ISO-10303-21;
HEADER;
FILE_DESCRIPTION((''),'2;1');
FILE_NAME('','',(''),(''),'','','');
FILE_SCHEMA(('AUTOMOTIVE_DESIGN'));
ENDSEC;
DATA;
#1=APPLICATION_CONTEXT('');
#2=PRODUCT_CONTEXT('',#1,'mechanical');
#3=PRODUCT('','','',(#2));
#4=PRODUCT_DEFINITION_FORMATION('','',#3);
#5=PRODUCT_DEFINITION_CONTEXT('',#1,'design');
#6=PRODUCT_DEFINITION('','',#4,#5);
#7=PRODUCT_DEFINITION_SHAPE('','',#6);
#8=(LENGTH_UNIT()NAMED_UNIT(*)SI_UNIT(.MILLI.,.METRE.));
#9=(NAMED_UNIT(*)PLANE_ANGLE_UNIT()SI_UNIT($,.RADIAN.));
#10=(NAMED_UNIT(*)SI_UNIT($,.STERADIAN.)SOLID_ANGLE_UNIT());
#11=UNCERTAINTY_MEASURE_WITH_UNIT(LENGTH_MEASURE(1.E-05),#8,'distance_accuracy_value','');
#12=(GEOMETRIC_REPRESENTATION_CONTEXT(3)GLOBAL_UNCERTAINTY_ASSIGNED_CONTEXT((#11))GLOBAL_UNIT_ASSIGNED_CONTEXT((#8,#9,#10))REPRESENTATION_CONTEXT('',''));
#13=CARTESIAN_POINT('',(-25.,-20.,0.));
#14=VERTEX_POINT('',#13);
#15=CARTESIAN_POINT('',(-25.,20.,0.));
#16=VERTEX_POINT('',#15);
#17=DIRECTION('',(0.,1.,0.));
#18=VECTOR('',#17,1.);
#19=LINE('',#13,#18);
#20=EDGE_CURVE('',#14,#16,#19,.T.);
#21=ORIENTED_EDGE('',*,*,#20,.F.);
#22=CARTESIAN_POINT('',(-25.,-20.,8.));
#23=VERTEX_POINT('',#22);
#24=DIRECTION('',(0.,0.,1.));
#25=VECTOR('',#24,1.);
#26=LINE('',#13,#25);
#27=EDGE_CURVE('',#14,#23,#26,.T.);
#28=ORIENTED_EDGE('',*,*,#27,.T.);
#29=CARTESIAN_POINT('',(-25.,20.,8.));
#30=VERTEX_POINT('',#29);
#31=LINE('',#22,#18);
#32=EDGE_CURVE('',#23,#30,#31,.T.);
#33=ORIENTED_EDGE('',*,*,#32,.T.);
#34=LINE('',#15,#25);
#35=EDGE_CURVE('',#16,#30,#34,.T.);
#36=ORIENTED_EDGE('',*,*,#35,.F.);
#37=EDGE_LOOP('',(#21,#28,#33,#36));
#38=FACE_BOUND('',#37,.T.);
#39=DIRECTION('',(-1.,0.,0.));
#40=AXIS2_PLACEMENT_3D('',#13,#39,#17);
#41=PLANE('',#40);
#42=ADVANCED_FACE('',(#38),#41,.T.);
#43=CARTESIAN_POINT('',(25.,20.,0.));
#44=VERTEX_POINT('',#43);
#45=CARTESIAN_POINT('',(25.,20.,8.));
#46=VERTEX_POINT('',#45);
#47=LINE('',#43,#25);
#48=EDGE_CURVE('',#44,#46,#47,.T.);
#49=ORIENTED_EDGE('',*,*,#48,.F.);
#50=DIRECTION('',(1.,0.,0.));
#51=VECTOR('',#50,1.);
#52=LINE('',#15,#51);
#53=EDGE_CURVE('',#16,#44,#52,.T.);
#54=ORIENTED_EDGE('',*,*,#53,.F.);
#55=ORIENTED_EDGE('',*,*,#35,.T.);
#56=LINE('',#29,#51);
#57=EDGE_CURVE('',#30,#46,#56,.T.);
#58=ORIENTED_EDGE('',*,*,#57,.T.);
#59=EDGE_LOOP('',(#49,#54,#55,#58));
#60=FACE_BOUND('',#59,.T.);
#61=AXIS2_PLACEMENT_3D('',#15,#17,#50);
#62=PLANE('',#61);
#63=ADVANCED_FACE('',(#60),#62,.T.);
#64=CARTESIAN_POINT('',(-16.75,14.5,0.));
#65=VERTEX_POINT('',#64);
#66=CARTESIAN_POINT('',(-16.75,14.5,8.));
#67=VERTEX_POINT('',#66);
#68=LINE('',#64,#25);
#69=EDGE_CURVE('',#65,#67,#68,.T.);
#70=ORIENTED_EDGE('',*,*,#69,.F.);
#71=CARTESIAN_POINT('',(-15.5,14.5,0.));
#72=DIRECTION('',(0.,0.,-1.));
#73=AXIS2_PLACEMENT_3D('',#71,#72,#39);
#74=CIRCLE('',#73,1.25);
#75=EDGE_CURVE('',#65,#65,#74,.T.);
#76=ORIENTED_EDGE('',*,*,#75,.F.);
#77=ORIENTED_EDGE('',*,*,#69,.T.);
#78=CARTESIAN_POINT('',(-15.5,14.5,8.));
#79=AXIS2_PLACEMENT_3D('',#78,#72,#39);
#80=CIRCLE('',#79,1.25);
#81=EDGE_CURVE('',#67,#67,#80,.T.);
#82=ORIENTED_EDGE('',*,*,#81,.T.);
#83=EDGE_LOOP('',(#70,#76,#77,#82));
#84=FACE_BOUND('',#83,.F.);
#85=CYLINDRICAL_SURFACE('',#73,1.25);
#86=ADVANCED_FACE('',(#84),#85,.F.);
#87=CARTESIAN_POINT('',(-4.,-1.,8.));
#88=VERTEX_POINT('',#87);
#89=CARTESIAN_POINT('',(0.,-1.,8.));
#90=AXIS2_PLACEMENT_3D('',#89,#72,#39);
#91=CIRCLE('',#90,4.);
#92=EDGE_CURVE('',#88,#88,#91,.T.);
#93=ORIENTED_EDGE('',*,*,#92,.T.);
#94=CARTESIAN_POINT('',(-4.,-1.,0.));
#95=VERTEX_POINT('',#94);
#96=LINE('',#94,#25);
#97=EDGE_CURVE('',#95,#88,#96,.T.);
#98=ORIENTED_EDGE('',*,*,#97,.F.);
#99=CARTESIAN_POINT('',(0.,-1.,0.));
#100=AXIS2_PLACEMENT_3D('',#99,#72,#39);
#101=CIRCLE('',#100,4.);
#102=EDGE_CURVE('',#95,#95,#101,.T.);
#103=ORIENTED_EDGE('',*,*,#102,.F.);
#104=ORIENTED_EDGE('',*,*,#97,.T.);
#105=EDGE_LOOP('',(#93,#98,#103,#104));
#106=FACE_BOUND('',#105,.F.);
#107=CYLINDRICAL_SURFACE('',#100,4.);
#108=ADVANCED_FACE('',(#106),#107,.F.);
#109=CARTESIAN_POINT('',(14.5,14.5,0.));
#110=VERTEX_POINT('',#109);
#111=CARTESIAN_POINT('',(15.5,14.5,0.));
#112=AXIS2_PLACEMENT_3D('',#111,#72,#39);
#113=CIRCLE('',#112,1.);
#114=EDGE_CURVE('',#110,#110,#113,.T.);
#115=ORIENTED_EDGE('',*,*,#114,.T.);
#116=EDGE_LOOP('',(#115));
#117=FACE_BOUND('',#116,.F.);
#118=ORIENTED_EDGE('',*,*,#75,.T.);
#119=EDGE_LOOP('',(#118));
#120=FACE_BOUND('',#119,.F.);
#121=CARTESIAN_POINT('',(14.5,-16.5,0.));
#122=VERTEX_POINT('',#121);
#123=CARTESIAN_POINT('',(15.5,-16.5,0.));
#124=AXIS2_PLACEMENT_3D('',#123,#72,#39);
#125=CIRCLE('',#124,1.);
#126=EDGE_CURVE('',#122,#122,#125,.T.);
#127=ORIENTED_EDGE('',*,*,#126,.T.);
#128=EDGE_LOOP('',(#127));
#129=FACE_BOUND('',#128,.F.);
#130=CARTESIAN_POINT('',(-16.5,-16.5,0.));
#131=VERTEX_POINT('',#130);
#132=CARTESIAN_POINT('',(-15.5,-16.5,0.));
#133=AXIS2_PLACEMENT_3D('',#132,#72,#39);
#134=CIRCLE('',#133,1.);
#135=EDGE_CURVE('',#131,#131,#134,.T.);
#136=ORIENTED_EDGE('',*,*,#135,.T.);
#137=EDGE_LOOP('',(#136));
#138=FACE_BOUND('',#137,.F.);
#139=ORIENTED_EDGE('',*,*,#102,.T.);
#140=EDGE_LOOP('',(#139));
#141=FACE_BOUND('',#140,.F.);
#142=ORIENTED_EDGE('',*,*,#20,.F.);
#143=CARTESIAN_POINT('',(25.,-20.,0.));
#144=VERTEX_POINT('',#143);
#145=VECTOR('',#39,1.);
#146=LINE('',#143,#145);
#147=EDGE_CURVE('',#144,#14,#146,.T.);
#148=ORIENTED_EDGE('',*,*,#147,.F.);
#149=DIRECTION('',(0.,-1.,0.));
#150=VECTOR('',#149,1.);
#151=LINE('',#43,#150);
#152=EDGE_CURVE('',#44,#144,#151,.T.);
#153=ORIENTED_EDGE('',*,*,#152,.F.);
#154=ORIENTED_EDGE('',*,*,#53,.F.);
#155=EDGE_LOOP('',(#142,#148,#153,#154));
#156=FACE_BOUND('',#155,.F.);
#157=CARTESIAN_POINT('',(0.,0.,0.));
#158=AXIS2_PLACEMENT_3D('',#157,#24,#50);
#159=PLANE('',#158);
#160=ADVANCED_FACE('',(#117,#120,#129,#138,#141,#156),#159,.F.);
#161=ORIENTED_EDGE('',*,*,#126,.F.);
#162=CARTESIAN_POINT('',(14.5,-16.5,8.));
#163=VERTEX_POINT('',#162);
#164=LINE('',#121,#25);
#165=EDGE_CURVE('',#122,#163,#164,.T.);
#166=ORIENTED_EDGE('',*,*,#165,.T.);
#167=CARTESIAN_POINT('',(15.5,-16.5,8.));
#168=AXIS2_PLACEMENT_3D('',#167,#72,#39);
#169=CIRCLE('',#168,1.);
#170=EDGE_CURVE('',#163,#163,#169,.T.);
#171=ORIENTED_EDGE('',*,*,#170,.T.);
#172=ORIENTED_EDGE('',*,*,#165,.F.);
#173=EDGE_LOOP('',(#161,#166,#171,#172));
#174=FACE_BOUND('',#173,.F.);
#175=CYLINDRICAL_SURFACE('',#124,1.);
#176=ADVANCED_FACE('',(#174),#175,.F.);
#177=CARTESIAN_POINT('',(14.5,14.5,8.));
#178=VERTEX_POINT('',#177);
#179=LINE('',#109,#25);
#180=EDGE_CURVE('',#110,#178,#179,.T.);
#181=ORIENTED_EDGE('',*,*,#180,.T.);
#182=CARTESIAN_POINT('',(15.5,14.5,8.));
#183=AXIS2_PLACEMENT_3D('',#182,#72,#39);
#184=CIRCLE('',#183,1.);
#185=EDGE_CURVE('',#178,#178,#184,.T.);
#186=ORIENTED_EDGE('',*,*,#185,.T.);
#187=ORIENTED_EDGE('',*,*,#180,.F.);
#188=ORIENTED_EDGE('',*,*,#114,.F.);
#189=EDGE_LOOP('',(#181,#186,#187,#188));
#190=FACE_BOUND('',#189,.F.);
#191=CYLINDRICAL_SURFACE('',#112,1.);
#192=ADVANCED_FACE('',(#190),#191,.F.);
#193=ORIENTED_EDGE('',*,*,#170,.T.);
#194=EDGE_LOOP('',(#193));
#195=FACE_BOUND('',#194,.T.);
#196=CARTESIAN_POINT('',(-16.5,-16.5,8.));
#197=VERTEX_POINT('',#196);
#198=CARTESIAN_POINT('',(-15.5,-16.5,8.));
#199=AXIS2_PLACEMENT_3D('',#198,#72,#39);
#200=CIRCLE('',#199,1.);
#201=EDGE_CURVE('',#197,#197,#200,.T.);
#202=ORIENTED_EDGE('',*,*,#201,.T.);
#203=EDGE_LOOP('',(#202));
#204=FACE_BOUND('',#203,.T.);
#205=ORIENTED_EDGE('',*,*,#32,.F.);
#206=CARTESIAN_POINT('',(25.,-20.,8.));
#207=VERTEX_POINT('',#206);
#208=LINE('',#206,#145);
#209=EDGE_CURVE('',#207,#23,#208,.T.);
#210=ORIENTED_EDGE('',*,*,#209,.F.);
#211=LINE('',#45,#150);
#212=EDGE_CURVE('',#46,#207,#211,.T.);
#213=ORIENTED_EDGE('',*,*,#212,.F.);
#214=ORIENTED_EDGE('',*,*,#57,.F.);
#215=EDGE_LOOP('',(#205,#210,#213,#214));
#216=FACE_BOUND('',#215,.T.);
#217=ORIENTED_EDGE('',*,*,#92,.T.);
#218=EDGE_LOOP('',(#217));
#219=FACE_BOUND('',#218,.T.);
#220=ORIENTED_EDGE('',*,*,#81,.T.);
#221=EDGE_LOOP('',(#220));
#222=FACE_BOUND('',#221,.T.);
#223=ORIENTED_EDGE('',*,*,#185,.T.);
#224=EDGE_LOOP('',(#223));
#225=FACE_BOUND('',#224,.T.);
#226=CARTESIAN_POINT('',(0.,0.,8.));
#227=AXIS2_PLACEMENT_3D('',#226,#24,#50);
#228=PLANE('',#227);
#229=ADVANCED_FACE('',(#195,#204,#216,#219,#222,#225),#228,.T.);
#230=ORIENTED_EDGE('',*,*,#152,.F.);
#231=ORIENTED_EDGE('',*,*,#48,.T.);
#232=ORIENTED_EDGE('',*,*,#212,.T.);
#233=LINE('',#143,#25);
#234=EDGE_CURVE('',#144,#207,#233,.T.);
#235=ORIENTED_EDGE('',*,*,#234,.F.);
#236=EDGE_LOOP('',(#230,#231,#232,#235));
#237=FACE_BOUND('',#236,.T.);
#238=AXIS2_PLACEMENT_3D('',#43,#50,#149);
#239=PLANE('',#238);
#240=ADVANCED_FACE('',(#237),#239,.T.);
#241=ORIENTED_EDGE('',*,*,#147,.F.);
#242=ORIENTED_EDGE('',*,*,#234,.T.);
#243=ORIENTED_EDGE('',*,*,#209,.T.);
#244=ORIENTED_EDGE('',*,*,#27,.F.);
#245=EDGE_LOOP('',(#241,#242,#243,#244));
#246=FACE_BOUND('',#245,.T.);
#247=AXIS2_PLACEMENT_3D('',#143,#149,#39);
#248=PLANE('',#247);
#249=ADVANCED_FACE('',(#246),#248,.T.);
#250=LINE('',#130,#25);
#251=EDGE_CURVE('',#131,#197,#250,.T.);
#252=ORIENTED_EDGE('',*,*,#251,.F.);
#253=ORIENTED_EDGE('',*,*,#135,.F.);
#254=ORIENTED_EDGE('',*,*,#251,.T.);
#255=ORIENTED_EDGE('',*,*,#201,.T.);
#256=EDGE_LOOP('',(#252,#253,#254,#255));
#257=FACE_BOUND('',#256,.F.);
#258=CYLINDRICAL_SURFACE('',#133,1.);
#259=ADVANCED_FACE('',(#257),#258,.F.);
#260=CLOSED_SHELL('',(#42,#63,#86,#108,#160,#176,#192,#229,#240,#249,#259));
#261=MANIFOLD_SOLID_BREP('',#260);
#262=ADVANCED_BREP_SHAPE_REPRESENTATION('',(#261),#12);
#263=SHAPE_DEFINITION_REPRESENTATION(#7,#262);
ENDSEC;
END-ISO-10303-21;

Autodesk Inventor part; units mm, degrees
ref_plane "YZ Plane" through (0, 0, 0) normal (1, 0, 0) x (0, 1, 0)
ref_plane "XZ Plane" through (0, 0, 0) normal (0, 1, 0) x (-1, 0, 0)
ref_plane "XY Plane" through (0, 0, 0) normal (0, 0, 1) x (1, 0, 0)
sketch "Sketch1" plane through (0, 0, 0) normal (0, 0, 1) x (1, 0, 0)
  line L0 (-25, 20) -> (25, 20)
  line L1 (25, 20) -> (25, -20)
  line L2 (25, -20) -> (-25, -20)
  line L3 (-25, -20) -> (-25, 20)
  point P0 (0, 0)
  point P1 (0, 20)
  point P2 (-25, 0)
  dimension "d0" = 50
  dimension "d1" = 40
extrude "Extrusion1" add sketch "Sketch1" along normal blind 8
sketch "Sketch5" plane through (0, 0, 0) normal (0, 0, -1) x (-1, 0, 0)
  circle A0 centre (-15.5, -16.5) radius 1 projected
  circle A1 centre (15.5, -16.5) radius 1 projected
  circle A2 centre (-15.5, 14.5) radius 1 projected
  circle A3 centre (15.5, 14.5) radius 1.25 projected
  arc A4 (-2, -2.5) -> (-2, 0.5) centre (0, -1) ccw
  line L0 (-2, -2.5) -> (-2, 0.5)
  circle A5 centre (0, -1) radius 4
  point P0 (0, 0)
  dimension "d29" = 8
extrude "Extrusion5" cut sketch "Sketch5" against normal through all contours A0 | A1 | A2 | A3 | L0 A4 | A5
properties part number "0005-10-020 suport motor y"
